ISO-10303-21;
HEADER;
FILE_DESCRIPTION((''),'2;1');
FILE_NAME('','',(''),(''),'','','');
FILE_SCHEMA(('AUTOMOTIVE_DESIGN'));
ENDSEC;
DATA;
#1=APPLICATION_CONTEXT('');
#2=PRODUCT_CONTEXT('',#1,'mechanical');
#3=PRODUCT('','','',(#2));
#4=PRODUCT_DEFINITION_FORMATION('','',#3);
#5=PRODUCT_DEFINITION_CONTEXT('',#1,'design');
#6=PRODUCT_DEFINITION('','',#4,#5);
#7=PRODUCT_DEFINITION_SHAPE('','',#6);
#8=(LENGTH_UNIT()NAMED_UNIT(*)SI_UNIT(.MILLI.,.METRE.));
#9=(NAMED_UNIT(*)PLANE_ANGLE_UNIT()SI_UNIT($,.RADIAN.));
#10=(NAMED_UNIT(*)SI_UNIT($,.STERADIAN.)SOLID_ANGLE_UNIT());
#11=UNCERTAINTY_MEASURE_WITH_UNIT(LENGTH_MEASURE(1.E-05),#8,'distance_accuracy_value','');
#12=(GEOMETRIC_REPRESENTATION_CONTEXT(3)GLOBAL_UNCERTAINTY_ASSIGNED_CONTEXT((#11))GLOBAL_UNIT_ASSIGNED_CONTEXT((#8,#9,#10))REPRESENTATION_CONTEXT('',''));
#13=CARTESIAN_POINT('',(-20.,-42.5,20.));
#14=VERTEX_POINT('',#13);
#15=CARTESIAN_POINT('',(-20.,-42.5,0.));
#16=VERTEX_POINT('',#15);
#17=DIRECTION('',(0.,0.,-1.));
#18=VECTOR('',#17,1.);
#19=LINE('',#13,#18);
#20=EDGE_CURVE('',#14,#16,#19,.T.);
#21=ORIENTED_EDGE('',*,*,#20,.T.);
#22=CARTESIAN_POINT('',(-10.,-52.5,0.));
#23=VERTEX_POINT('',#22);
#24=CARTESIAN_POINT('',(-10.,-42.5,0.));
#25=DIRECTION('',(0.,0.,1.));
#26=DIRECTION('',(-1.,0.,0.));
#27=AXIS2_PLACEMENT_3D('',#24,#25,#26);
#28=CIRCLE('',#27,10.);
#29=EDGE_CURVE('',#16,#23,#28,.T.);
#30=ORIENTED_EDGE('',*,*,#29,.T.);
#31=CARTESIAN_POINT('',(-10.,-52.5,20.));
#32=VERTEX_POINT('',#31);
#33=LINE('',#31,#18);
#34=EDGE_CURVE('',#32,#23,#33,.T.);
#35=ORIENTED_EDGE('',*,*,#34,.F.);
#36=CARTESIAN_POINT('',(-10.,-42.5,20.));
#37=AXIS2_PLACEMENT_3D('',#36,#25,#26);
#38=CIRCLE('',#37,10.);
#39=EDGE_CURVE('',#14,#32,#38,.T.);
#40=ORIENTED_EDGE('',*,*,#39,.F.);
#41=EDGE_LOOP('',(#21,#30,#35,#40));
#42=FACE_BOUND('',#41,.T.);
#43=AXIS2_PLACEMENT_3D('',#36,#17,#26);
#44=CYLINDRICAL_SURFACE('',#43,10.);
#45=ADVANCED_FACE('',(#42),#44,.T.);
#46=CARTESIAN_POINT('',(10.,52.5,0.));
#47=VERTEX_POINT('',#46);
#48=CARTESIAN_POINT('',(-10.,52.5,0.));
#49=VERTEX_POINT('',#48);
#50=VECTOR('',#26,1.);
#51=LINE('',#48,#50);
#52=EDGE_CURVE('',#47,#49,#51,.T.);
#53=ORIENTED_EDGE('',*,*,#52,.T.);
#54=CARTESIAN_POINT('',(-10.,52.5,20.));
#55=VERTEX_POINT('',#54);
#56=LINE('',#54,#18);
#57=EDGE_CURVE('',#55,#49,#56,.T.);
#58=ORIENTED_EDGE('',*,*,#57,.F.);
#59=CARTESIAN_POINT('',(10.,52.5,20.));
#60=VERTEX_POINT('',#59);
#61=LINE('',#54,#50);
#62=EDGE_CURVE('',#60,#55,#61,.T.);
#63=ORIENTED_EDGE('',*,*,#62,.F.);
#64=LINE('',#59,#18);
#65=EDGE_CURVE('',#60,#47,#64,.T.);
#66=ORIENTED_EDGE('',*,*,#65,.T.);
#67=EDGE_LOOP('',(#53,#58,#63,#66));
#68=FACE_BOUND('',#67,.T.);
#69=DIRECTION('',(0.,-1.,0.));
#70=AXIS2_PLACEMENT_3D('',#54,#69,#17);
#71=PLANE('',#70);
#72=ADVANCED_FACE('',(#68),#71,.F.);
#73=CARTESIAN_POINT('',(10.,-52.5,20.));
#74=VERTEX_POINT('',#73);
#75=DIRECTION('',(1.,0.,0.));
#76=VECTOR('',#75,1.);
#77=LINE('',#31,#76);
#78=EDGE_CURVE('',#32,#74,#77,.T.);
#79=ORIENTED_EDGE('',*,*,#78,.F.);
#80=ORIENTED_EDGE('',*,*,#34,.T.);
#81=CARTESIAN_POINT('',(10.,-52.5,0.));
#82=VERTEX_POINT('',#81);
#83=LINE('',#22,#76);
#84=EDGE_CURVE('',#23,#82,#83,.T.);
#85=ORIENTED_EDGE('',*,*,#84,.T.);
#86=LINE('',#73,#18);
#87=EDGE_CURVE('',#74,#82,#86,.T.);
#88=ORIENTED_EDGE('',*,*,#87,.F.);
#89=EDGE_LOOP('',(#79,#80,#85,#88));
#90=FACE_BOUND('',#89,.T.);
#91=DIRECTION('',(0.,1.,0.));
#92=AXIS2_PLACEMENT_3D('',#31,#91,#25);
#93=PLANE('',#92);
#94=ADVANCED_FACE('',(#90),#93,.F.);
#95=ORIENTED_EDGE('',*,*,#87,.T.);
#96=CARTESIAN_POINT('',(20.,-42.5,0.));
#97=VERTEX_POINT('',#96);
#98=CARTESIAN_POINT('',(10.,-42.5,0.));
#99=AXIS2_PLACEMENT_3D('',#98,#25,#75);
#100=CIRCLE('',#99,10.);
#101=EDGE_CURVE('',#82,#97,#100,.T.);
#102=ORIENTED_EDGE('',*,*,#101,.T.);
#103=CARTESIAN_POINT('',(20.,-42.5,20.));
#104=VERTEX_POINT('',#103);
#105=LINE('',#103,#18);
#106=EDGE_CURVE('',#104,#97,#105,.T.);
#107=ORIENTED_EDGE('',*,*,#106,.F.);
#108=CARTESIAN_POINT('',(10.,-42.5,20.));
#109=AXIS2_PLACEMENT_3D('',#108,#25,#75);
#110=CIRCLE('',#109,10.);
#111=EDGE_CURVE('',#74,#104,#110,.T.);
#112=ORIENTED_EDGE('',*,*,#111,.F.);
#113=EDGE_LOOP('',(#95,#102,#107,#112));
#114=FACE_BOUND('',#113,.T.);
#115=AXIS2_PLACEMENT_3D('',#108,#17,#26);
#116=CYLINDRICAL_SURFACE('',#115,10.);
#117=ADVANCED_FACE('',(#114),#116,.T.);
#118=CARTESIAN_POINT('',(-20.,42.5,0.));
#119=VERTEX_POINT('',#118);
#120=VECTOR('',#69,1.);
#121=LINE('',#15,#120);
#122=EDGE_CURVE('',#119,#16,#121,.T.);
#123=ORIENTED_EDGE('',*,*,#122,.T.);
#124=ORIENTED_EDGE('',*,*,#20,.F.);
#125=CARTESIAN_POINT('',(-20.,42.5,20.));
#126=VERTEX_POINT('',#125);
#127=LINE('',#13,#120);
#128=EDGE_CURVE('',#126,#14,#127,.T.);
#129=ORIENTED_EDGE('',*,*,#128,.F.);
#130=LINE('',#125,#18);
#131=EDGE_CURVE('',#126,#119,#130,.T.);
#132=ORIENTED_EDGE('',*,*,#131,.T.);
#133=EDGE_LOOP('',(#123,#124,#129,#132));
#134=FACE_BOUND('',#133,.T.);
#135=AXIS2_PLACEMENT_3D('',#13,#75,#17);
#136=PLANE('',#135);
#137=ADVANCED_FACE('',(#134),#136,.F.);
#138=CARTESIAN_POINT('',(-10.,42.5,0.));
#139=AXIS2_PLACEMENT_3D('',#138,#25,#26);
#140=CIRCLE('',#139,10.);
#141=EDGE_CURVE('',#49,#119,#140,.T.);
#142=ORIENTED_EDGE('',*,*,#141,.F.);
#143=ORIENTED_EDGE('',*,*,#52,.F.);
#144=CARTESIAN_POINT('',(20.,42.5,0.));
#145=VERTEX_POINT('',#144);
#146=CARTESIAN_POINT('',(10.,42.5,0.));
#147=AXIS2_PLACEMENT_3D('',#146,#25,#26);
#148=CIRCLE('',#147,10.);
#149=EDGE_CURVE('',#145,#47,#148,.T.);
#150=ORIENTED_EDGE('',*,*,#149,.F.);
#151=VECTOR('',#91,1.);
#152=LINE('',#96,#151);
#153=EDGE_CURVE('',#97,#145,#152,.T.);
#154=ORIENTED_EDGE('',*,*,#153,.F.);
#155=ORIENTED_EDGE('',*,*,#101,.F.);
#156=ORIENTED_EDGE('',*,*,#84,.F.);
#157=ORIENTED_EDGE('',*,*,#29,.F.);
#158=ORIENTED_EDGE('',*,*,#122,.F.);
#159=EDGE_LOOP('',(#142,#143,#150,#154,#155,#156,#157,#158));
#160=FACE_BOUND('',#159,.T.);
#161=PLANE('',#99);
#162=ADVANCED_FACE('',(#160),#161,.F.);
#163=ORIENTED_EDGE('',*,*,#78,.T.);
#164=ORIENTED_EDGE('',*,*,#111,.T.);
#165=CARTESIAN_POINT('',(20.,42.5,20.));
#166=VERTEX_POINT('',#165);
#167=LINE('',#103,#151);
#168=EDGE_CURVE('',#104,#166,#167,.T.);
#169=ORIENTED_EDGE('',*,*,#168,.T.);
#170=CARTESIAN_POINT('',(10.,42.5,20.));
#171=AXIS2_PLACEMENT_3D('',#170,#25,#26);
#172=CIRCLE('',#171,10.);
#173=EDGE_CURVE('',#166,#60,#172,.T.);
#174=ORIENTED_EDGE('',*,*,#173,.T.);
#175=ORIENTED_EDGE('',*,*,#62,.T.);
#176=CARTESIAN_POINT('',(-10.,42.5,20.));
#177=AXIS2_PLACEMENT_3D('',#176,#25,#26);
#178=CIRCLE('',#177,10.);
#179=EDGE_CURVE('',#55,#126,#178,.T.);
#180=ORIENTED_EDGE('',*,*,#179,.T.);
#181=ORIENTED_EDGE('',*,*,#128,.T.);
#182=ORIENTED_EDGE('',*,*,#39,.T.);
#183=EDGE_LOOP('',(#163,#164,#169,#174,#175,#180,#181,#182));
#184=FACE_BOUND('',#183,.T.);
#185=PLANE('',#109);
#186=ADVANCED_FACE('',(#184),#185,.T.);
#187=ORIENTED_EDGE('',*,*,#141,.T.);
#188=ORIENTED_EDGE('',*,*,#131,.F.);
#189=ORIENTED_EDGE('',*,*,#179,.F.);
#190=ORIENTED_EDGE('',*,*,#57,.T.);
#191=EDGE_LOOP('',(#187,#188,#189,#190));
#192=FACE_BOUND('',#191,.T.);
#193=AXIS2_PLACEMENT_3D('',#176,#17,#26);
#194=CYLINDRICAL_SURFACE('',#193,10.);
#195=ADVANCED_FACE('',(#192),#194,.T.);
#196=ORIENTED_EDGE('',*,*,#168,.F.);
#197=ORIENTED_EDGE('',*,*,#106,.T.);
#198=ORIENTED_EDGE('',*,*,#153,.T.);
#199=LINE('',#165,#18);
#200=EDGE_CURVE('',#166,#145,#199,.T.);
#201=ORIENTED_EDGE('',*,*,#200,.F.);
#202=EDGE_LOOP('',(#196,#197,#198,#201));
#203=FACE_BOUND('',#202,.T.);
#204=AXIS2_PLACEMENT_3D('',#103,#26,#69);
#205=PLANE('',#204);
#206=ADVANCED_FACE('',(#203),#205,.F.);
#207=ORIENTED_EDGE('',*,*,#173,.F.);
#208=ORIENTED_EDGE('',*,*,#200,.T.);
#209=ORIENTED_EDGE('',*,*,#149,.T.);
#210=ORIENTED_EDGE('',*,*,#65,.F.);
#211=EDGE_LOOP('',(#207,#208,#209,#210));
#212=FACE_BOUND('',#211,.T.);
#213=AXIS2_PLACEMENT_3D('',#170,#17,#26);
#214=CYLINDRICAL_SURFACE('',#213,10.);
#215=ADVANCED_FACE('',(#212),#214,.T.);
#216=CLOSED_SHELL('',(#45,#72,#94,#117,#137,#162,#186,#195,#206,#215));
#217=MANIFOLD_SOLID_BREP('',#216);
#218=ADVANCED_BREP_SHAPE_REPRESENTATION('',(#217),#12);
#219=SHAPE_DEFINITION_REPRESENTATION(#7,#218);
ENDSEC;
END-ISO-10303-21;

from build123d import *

# Parameters (mm, degrees)
EXTRUDE_1_DEPTH = 20


with BuildPart() as part:
    # 草图1 → 凸台-拉伸1 (new body)
    with BuildSketch(Plane.XY):
        with BuildLine():
            Line((-10, -52.5), (10, -52.5))
            ThreePointArc((10, -52.5), (17.071067812, -49.571067812), (20, -42.5))
            Line((20, -42.5), (20, 42.5))
            ThreePointArc((20, 42.5), (17.071067812, 49.571067812), (10, 52.5))
            Line((10, 52.5), (-10, 52.5))
            ThreePointArc((-10, 52.5), (-17.071067812, 49.571067812), (-20, 42.5))
            Line((-20, 42.5), (-20, -42.5))
            ThreePointArc((-20, -42.5), (-17.071067812, -49.571067812), (-10, -52.5))
        make_face()
    extrude(amount=EXTRUDE_1_DEPTH)


solid = part.part
